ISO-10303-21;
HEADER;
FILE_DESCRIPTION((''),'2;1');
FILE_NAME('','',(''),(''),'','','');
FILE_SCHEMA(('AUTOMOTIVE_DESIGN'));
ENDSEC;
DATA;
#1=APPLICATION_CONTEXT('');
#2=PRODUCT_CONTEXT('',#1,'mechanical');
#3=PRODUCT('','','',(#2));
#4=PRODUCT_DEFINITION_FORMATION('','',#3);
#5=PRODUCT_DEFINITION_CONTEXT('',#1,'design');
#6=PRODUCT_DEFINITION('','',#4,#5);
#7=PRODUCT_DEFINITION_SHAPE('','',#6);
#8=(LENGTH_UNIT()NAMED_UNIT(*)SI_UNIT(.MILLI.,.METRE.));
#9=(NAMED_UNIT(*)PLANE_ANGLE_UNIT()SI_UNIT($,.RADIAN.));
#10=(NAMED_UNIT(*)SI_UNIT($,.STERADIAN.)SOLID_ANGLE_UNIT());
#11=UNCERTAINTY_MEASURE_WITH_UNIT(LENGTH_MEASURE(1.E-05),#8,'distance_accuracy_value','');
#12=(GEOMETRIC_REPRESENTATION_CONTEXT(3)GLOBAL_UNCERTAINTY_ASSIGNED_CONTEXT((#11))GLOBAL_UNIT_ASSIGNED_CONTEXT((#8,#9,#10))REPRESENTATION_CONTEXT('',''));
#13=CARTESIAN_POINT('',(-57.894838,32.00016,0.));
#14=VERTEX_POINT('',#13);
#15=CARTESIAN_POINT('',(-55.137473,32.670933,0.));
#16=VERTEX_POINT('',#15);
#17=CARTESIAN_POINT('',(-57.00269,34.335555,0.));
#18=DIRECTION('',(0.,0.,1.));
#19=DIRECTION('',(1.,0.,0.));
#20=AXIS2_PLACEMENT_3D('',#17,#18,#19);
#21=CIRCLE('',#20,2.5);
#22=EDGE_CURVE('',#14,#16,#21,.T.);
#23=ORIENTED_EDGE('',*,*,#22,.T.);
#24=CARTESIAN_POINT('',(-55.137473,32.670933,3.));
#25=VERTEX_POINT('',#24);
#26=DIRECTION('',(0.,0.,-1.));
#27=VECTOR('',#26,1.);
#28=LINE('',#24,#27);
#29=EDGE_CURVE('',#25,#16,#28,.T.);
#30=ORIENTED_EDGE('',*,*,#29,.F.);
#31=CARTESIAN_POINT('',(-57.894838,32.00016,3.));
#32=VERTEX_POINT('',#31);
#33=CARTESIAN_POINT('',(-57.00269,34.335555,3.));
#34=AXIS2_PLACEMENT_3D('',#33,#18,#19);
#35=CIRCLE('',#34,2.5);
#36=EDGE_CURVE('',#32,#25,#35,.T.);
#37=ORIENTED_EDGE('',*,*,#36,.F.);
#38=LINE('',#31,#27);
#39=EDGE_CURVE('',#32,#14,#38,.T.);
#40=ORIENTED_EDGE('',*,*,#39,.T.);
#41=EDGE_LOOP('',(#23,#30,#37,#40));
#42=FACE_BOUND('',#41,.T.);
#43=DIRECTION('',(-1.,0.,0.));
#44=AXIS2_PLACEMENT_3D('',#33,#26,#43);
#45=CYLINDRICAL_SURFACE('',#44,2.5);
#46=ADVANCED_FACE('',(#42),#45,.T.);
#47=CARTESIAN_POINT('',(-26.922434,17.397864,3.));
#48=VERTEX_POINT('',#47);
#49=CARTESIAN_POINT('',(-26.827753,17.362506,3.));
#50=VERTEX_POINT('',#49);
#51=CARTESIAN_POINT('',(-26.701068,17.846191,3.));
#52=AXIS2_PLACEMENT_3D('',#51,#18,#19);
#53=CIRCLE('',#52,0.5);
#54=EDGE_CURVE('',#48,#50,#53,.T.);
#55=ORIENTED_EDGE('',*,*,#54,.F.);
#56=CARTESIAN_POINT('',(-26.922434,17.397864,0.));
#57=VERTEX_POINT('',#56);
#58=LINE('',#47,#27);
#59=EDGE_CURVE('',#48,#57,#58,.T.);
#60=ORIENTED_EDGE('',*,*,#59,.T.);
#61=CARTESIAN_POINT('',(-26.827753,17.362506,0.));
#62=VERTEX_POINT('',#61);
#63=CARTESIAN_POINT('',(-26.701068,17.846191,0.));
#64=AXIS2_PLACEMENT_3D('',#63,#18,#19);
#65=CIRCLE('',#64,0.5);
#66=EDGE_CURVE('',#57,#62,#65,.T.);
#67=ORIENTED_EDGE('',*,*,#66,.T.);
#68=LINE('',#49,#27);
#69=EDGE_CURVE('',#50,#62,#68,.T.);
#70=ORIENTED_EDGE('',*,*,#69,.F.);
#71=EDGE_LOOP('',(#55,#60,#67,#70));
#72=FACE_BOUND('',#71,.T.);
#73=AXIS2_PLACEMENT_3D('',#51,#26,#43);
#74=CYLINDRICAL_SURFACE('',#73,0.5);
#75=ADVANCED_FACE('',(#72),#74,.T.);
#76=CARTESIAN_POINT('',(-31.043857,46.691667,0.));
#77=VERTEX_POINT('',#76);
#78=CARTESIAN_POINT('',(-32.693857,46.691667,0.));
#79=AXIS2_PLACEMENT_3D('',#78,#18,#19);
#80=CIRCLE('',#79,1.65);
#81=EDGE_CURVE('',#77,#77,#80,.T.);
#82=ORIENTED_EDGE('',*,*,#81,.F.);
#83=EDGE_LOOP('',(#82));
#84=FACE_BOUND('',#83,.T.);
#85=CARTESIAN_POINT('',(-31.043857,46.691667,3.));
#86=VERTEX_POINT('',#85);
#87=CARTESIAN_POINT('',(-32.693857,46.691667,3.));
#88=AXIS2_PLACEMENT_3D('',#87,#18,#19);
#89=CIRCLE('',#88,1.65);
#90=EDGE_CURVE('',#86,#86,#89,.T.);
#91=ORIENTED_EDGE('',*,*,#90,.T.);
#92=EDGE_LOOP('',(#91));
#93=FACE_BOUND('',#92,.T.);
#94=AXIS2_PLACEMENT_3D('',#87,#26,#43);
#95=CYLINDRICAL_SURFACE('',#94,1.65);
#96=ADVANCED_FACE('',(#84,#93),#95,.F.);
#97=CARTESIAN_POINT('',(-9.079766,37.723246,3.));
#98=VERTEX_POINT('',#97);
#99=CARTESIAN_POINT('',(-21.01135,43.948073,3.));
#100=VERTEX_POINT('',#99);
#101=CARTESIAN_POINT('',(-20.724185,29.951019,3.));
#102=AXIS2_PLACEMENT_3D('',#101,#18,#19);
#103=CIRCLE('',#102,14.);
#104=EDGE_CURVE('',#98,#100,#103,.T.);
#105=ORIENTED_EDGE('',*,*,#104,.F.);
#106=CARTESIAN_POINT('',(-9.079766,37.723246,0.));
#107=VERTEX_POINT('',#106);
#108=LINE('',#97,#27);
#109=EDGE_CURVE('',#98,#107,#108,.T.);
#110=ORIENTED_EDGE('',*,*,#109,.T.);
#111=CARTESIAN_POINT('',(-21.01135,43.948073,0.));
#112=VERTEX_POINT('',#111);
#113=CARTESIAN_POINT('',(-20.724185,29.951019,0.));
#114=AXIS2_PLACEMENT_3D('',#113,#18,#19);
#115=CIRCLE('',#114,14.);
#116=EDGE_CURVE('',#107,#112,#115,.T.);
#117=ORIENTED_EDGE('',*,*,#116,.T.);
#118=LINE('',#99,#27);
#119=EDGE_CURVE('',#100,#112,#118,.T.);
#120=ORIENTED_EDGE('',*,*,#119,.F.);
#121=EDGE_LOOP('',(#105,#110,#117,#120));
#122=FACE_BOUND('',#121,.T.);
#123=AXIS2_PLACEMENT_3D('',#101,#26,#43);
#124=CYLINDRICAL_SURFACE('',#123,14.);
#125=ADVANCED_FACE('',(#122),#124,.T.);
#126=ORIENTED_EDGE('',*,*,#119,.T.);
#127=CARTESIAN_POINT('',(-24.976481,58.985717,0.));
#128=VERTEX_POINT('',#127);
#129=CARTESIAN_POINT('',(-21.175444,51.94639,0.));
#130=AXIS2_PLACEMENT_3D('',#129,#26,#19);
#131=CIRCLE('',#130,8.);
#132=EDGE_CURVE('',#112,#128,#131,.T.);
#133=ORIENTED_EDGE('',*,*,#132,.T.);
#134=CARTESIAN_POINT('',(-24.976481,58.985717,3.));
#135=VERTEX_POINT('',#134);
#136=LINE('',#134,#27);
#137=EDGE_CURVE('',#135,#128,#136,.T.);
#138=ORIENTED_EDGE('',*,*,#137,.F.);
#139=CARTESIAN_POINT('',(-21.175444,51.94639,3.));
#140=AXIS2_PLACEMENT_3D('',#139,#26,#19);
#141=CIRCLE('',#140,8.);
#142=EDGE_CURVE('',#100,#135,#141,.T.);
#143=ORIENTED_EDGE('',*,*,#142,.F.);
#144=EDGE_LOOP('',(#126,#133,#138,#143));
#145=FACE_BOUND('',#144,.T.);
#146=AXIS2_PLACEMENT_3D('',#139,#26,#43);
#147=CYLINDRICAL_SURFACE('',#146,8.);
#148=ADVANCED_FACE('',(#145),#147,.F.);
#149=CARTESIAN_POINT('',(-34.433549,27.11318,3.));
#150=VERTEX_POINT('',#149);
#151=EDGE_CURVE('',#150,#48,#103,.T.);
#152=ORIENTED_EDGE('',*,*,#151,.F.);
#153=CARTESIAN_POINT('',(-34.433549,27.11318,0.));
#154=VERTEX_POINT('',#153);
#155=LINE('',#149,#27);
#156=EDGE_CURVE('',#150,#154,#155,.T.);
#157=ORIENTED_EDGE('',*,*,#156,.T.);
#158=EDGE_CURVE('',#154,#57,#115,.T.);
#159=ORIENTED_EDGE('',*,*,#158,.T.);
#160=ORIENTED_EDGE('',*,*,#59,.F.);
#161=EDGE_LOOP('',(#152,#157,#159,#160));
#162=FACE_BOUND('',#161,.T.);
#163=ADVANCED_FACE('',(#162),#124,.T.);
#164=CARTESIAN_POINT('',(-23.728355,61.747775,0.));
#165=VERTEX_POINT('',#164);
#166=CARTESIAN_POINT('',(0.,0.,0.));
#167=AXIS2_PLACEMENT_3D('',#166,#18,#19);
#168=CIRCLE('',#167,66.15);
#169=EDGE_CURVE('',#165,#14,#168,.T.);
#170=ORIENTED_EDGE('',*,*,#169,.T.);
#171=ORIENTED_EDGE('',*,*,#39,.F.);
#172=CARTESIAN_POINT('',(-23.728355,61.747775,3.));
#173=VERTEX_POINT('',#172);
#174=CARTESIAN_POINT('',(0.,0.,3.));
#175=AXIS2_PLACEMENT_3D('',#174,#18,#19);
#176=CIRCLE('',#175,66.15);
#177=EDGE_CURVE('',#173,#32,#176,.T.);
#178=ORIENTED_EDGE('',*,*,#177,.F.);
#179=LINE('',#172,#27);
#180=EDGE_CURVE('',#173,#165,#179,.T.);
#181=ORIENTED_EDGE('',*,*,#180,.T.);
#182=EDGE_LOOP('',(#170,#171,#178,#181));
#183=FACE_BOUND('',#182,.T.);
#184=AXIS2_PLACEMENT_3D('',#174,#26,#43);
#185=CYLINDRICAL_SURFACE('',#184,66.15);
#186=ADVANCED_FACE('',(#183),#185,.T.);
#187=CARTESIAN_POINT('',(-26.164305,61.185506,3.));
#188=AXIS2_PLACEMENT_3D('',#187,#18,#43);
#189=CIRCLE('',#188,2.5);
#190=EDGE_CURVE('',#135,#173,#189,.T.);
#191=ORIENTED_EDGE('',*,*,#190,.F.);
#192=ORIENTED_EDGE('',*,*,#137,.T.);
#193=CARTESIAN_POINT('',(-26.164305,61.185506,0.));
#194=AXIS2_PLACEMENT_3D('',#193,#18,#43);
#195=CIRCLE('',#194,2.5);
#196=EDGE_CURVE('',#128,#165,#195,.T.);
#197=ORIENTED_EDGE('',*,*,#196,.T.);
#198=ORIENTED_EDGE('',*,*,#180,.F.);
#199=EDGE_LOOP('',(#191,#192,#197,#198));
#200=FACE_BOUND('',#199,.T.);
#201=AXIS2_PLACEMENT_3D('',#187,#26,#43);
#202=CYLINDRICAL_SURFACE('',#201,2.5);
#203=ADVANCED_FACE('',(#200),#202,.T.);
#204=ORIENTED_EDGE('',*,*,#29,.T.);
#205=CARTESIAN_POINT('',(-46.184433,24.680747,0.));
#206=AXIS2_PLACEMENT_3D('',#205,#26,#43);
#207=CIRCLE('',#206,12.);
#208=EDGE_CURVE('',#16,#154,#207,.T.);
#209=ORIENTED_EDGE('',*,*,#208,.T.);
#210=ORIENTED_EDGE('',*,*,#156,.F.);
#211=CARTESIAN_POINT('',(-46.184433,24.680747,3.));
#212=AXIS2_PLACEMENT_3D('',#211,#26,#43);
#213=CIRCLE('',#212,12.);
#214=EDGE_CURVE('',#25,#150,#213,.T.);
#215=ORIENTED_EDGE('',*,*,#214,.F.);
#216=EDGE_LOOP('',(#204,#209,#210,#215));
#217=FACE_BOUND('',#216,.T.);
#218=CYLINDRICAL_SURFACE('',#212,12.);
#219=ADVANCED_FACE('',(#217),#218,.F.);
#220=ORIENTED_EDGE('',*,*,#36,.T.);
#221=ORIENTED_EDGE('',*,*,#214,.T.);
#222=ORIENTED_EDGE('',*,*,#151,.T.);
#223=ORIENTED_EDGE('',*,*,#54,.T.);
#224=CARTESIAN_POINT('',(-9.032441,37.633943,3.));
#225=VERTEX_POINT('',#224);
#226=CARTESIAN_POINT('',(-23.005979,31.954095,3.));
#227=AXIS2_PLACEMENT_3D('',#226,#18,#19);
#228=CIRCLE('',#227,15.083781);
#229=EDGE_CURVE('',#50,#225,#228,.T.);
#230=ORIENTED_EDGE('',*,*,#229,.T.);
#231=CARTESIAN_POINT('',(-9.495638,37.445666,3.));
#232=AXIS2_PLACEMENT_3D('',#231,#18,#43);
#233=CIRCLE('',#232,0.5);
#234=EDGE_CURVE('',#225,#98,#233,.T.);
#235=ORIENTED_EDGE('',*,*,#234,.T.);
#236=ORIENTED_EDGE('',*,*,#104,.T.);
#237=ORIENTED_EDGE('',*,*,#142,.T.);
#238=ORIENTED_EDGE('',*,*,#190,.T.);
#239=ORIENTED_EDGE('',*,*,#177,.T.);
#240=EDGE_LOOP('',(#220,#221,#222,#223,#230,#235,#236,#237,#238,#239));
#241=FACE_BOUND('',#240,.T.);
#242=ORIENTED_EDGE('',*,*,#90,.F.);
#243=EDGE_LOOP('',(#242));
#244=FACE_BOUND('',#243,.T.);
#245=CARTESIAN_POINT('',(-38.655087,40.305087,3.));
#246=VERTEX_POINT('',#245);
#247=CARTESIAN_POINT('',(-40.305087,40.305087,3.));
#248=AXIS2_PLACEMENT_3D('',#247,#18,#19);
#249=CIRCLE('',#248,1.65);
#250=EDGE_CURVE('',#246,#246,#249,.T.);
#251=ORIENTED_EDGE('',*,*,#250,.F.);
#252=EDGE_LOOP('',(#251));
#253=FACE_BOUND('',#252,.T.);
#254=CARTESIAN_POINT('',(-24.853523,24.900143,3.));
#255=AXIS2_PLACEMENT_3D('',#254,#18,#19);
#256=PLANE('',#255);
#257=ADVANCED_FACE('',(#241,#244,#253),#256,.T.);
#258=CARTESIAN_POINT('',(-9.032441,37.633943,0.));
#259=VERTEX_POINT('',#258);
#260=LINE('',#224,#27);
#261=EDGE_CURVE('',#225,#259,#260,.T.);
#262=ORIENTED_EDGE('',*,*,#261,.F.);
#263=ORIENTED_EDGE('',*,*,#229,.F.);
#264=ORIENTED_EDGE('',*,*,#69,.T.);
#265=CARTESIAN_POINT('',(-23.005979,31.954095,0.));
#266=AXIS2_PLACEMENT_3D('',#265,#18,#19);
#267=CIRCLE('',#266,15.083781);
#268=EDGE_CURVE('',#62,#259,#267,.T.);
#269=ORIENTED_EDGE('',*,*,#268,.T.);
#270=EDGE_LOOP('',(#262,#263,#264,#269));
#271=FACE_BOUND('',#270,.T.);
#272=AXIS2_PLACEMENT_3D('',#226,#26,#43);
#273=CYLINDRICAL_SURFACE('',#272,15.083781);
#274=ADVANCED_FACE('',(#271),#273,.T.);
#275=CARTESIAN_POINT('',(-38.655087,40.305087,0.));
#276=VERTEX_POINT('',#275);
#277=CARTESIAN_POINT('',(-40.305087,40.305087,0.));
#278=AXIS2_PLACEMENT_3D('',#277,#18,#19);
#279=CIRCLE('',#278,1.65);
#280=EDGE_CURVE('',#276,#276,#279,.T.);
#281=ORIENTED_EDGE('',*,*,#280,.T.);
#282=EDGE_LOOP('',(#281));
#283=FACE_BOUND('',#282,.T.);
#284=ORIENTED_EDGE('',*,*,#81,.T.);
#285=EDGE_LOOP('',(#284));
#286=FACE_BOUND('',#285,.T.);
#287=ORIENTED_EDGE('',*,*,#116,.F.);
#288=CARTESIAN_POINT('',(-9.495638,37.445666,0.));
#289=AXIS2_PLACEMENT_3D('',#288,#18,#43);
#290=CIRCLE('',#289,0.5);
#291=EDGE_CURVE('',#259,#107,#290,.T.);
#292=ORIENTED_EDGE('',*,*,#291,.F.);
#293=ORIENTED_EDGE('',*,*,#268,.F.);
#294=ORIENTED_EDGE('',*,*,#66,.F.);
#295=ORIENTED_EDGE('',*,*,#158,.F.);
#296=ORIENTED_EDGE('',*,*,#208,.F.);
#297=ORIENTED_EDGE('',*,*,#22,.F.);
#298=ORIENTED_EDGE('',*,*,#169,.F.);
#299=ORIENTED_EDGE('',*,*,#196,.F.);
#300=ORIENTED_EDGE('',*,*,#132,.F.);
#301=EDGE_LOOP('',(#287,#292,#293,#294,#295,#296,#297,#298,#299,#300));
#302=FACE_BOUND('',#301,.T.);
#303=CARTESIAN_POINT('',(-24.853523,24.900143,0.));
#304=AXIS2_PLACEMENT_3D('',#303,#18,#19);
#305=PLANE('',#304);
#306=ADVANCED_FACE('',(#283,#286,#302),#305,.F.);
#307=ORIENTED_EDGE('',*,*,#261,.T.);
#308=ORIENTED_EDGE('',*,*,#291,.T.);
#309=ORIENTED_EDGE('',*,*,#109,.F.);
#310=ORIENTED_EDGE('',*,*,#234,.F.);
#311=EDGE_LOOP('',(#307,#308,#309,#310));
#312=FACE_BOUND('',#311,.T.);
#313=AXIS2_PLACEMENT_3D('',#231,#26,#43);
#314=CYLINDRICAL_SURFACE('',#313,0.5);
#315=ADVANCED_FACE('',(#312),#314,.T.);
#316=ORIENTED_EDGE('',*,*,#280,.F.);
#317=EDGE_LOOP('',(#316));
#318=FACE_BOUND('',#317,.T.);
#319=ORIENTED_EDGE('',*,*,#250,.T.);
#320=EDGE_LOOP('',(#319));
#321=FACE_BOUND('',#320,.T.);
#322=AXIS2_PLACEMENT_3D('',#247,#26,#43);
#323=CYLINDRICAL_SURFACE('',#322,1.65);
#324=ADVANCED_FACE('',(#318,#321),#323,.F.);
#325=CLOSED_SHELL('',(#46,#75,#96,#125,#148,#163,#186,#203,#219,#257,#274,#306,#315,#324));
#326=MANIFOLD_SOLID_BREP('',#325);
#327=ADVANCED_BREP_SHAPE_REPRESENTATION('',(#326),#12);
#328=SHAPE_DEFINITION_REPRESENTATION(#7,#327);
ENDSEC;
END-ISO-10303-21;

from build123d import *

# Parameters (mm, degrees)
BOSS_EXTRUDE1_DEPTH = 3
SKETCH4_R           = 1.65
CUT_EXTRUDE1_DEPTH  = 4


with BuildPart() as part:
    # Sketch5 → Boss-Extrude1 (new body)
    with BuildSketch(Plane(origin=(0, 0, 0), x_dir=(0, 1, 0), z_dir=(0, 0, 1))):
        with BuildLine():
            ThreePointArc((37.723245901, 9.079766174), (42.363354518, 14.24854402), (43.948073482, 21.011349518))
            ThreePointArc((43.948073482, 21.011349518), (49.906664226, 28.911044217), (58.985716635, 24.976481046))
            ThreePointArc((58.985716635, 24.976481046), (60.156028849, 23.886109344), (61.747774642, 23.728354912))
            ThreePointArc((61.747774642, 23.728354912), (49.889938389, 43.437501627), (32.000159984, 57.894837948))
            ThreePointArc((32.000159984, 57.894837948), (31.906399176, 56.411758551), (32.670933348, 55.137473226))
            ThreePointArc((32.670933348, 55.137473226), (36.27043514, 43.073301984), (27.113180378, 34.433549317))
            ThreePointArc((27.113180378, 34.433549317), (21.388023687, 31.800064681), (17.397863538, 26.922433858))
            ThreePointArc((17.397863538, 26.922433858), (17.377786203, 26.87598895), (17.362505758, 26.82775269))
            ThreePointArc((17.362505758, 26.82775269), (22.00306193, 11.670310925), (37.63394302, 9.032440796))
            ThreePointArc((37.63394302, 9.032440796), (37.679793297, 9.053841282), (37.723245901, 9.079766174))
        make_face()
    extrude(amount=BOSS_EXTRUDE1_DEPTH)

    # Sketch4 → Cut-Extrude1 (cut, through all)
    with BuildSketch(Plane(origin=(0, 0, 0), x_dir=(0, 1, 0), z_dir=(0, 0, 1))):
        with Locations((40.305086528, 40.305086528)):
            Circle(SKETCH4_R)
        with Locations((46.691666524, 32.693856872)):
            Circle(SKETCH4_R)
    extrude(amount=CUT_EXTRUDE1_DEPTH, mode=Mode.SUBTRACT)


solid = part.part
